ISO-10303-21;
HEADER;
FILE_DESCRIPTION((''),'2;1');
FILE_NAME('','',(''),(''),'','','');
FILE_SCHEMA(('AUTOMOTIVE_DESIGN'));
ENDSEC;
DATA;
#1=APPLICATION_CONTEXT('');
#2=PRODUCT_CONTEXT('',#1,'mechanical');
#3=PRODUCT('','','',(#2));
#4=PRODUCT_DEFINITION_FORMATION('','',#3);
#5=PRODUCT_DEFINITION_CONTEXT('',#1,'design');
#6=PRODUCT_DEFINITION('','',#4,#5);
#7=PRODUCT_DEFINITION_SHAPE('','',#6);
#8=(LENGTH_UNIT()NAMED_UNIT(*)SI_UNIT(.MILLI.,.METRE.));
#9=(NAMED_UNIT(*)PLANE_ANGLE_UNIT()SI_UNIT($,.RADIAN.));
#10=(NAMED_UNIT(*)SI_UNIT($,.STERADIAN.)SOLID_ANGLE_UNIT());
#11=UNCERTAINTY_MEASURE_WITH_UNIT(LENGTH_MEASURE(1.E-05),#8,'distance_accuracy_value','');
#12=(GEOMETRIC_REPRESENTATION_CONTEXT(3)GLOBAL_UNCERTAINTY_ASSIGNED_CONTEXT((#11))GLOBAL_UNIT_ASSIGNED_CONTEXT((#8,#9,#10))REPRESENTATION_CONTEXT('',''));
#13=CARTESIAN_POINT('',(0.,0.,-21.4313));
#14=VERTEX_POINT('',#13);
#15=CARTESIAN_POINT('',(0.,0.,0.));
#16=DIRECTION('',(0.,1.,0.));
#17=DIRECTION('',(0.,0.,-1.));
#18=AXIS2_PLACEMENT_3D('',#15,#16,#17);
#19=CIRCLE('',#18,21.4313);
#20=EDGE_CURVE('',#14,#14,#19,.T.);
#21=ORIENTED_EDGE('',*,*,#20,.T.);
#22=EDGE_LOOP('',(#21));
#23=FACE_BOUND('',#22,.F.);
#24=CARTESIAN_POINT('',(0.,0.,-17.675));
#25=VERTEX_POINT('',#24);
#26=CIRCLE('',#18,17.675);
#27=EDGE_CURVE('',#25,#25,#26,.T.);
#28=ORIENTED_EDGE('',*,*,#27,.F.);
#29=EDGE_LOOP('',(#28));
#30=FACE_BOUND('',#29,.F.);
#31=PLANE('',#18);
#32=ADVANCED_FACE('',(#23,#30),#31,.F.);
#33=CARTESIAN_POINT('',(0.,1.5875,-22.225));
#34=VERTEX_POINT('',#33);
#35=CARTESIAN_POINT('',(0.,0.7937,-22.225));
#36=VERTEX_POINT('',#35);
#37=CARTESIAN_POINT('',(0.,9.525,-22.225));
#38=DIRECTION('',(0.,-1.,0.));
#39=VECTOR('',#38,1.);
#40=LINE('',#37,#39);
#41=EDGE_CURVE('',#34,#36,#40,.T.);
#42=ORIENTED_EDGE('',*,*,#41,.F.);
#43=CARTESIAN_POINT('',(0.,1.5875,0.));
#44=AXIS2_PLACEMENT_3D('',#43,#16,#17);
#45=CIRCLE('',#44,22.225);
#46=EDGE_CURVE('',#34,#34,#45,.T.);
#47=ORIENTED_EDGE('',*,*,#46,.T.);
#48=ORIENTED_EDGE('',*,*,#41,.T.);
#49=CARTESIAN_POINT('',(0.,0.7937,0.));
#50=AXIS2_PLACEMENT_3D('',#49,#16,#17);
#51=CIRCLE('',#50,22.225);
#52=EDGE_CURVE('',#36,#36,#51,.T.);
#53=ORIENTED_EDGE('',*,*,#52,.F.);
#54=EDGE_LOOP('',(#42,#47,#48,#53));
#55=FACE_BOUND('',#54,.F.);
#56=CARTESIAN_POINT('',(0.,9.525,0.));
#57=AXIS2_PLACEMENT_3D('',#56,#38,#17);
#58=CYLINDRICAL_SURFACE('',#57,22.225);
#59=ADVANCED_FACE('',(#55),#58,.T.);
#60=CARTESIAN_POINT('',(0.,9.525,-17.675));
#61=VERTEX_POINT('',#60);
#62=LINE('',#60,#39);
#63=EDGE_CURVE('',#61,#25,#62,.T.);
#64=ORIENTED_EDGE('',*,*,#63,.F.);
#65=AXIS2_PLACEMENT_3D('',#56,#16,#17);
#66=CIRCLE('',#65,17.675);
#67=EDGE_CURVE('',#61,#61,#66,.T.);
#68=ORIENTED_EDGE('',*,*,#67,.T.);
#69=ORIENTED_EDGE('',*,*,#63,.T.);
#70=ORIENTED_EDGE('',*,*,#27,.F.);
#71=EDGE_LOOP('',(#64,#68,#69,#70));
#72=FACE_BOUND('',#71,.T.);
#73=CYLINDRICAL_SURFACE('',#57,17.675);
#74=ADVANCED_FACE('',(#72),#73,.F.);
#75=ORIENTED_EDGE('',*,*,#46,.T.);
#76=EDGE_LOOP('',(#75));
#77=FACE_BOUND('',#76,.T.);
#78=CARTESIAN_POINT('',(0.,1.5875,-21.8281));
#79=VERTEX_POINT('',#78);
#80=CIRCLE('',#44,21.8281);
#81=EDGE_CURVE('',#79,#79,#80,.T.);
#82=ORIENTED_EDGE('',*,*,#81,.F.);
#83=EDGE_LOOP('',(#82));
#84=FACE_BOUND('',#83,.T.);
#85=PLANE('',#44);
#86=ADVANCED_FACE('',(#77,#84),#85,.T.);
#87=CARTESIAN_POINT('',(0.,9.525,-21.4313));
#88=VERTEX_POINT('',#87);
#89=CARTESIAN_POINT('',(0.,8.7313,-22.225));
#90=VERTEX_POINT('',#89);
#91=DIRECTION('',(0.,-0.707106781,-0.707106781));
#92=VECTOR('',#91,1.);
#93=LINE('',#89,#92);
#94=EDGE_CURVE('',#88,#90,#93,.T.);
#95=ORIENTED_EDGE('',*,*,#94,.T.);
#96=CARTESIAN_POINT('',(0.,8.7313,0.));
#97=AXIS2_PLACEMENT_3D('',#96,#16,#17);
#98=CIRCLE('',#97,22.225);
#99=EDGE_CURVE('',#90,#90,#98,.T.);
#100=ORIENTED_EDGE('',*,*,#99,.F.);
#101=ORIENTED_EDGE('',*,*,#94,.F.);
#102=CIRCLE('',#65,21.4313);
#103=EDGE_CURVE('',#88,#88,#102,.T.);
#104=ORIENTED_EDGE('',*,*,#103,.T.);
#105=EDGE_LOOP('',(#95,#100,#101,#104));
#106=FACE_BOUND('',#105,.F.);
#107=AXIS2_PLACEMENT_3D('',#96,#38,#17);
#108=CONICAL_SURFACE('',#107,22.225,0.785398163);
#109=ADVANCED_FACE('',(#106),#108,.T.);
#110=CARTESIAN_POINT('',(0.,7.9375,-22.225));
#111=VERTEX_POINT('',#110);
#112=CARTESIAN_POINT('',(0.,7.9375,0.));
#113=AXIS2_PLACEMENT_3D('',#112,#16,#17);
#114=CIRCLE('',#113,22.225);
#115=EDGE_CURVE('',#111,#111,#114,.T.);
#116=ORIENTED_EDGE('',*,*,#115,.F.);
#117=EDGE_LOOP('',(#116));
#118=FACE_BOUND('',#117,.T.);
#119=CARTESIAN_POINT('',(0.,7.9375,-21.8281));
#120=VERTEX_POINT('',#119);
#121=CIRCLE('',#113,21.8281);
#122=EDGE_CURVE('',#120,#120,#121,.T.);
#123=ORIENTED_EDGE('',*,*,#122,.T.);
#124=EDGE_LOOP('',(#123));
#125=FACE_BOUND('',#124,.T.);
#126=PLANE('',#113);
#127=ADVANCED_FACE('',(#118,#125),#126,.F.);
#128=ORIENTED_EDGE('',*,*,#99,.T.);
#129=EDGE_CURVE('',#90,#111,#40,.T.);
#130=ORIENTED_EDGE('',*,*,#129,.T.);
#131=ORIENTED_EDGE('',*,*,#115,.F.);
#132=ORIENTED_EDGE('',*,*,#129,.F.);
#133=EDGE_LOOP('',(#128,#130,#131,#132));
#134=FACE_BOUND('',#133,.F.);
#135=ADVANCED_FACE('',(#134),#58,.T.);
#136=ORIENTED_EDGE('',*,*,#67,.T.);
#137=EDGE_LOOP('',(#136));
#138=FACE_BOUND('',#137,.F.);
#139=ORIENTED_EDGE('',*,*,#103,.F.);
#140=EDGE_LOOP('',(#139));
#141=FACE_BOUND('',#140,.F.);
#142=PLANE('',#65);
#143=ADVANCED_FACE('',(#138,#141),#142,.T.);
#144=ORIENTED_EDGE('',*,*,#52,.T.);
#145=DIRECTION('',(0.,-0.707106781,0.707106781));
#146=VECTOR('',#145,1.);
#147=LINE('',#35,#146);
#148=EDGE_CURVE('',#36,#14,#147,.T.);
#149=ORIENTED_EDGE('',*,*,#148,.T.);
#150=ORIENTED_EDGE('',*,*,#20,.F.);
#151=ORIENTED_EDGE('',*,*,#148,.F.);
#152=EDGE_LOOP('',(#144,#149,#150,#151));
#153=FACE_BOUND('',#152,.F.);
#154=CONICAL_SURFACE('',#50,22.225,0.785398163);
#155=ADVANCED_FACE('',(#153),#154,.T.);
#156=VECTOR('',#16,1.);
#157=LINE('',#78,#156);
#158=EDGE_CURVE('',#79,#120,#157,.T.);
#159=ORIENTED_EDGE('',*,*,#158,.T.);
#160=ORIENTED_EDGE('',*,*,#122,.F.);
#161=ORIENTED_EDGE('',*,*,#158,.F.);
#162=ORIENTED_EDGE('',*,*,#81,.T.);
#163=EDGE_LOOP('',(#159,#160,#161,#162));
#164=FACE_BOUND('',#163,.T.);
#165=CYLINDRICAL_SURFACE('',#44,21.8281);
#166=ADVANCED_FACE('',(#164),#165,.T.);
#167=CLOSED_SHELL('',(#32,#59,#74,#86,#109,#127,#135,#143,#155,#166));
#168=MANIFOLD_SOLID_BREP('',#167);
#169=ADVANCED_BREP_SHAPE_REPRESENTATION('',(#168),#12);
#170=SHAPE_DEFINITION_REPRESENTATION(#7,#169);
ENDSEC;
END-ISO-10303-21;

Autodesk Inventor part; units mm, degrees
ref_plane "YZ Plane" through (0, 0, 0) normal (1, 0, 0) x (0, 1, 0)
ref_plane "XZ Plane" through (0, 0, 0) normal (0, 1, 0) x (-1, 0, 0)
ref_plane "XY Plane" through (0, 0, 0) normal (0, 0, 1) x (1, 0, 0)
sketch "Sketch1" plane through (0, 0, 0) normal (1, 0, 0) x (0, 1, 0)
  line L0 (0, 0) -> (9.525, 0)
  line L1 (9.525, 0) -> (9.525, -17.675)
  line L2 (9.525, -17.675) -> (0, -17.675)
  line L3 (0, -17.675) -> (0, 0)
  line L4 (0, 0) -> (9.525, 0)
  line L5 (9.525, 0) -> (9.525, -22.225)
  line L6 (9.525, -22.225) -> (0, -22.225)
  line L7 (0, -22.225) -> (0, 0)
  line L8 (1.5875, -21.8281) -> (7.9375, -21.8281)
  line L9 (7.9375, -21.8281) -> (7.9375, -22.6219)
  line L10 (7.9375, -22.6219) -> (1.5875, -22.6219) construction
  line L11 (1.5875, -22.6219) -> (1.5875, -21.8281)
  line L12 (1.5875, -21.8281) -> (7.9375, -22.6219) construction
  line L13 (7.9375, -21.8281) -> (1.5875, -22.6219) construction
  point P0 (4.7625, -22.225)
  point P1 (7.9375, -22.225)
  point P2 (0, -17.675)
  point P3 (1.5875, -22.225)
  dimension "d0" = 17.675
  dimension "d1" = 9.525
  dimension "d2" = 22.225
  dimension "d3" = 6.35
  dimension "d4" = 0.7937
revolve "Revolution1" add sketch "Sketch1" angle 360 about axis through (0, 0, 0) along (0, 1, 0) contours L2 L5 L6 L9 L8 L11 L7
chamfer "Chamfer1" distance 0.7937 angle 45 2 edges at (0, 9.525, 22.225) (0, 0, 22.225)
properties part number "Band - Hub" material "Nylon 6/6"
